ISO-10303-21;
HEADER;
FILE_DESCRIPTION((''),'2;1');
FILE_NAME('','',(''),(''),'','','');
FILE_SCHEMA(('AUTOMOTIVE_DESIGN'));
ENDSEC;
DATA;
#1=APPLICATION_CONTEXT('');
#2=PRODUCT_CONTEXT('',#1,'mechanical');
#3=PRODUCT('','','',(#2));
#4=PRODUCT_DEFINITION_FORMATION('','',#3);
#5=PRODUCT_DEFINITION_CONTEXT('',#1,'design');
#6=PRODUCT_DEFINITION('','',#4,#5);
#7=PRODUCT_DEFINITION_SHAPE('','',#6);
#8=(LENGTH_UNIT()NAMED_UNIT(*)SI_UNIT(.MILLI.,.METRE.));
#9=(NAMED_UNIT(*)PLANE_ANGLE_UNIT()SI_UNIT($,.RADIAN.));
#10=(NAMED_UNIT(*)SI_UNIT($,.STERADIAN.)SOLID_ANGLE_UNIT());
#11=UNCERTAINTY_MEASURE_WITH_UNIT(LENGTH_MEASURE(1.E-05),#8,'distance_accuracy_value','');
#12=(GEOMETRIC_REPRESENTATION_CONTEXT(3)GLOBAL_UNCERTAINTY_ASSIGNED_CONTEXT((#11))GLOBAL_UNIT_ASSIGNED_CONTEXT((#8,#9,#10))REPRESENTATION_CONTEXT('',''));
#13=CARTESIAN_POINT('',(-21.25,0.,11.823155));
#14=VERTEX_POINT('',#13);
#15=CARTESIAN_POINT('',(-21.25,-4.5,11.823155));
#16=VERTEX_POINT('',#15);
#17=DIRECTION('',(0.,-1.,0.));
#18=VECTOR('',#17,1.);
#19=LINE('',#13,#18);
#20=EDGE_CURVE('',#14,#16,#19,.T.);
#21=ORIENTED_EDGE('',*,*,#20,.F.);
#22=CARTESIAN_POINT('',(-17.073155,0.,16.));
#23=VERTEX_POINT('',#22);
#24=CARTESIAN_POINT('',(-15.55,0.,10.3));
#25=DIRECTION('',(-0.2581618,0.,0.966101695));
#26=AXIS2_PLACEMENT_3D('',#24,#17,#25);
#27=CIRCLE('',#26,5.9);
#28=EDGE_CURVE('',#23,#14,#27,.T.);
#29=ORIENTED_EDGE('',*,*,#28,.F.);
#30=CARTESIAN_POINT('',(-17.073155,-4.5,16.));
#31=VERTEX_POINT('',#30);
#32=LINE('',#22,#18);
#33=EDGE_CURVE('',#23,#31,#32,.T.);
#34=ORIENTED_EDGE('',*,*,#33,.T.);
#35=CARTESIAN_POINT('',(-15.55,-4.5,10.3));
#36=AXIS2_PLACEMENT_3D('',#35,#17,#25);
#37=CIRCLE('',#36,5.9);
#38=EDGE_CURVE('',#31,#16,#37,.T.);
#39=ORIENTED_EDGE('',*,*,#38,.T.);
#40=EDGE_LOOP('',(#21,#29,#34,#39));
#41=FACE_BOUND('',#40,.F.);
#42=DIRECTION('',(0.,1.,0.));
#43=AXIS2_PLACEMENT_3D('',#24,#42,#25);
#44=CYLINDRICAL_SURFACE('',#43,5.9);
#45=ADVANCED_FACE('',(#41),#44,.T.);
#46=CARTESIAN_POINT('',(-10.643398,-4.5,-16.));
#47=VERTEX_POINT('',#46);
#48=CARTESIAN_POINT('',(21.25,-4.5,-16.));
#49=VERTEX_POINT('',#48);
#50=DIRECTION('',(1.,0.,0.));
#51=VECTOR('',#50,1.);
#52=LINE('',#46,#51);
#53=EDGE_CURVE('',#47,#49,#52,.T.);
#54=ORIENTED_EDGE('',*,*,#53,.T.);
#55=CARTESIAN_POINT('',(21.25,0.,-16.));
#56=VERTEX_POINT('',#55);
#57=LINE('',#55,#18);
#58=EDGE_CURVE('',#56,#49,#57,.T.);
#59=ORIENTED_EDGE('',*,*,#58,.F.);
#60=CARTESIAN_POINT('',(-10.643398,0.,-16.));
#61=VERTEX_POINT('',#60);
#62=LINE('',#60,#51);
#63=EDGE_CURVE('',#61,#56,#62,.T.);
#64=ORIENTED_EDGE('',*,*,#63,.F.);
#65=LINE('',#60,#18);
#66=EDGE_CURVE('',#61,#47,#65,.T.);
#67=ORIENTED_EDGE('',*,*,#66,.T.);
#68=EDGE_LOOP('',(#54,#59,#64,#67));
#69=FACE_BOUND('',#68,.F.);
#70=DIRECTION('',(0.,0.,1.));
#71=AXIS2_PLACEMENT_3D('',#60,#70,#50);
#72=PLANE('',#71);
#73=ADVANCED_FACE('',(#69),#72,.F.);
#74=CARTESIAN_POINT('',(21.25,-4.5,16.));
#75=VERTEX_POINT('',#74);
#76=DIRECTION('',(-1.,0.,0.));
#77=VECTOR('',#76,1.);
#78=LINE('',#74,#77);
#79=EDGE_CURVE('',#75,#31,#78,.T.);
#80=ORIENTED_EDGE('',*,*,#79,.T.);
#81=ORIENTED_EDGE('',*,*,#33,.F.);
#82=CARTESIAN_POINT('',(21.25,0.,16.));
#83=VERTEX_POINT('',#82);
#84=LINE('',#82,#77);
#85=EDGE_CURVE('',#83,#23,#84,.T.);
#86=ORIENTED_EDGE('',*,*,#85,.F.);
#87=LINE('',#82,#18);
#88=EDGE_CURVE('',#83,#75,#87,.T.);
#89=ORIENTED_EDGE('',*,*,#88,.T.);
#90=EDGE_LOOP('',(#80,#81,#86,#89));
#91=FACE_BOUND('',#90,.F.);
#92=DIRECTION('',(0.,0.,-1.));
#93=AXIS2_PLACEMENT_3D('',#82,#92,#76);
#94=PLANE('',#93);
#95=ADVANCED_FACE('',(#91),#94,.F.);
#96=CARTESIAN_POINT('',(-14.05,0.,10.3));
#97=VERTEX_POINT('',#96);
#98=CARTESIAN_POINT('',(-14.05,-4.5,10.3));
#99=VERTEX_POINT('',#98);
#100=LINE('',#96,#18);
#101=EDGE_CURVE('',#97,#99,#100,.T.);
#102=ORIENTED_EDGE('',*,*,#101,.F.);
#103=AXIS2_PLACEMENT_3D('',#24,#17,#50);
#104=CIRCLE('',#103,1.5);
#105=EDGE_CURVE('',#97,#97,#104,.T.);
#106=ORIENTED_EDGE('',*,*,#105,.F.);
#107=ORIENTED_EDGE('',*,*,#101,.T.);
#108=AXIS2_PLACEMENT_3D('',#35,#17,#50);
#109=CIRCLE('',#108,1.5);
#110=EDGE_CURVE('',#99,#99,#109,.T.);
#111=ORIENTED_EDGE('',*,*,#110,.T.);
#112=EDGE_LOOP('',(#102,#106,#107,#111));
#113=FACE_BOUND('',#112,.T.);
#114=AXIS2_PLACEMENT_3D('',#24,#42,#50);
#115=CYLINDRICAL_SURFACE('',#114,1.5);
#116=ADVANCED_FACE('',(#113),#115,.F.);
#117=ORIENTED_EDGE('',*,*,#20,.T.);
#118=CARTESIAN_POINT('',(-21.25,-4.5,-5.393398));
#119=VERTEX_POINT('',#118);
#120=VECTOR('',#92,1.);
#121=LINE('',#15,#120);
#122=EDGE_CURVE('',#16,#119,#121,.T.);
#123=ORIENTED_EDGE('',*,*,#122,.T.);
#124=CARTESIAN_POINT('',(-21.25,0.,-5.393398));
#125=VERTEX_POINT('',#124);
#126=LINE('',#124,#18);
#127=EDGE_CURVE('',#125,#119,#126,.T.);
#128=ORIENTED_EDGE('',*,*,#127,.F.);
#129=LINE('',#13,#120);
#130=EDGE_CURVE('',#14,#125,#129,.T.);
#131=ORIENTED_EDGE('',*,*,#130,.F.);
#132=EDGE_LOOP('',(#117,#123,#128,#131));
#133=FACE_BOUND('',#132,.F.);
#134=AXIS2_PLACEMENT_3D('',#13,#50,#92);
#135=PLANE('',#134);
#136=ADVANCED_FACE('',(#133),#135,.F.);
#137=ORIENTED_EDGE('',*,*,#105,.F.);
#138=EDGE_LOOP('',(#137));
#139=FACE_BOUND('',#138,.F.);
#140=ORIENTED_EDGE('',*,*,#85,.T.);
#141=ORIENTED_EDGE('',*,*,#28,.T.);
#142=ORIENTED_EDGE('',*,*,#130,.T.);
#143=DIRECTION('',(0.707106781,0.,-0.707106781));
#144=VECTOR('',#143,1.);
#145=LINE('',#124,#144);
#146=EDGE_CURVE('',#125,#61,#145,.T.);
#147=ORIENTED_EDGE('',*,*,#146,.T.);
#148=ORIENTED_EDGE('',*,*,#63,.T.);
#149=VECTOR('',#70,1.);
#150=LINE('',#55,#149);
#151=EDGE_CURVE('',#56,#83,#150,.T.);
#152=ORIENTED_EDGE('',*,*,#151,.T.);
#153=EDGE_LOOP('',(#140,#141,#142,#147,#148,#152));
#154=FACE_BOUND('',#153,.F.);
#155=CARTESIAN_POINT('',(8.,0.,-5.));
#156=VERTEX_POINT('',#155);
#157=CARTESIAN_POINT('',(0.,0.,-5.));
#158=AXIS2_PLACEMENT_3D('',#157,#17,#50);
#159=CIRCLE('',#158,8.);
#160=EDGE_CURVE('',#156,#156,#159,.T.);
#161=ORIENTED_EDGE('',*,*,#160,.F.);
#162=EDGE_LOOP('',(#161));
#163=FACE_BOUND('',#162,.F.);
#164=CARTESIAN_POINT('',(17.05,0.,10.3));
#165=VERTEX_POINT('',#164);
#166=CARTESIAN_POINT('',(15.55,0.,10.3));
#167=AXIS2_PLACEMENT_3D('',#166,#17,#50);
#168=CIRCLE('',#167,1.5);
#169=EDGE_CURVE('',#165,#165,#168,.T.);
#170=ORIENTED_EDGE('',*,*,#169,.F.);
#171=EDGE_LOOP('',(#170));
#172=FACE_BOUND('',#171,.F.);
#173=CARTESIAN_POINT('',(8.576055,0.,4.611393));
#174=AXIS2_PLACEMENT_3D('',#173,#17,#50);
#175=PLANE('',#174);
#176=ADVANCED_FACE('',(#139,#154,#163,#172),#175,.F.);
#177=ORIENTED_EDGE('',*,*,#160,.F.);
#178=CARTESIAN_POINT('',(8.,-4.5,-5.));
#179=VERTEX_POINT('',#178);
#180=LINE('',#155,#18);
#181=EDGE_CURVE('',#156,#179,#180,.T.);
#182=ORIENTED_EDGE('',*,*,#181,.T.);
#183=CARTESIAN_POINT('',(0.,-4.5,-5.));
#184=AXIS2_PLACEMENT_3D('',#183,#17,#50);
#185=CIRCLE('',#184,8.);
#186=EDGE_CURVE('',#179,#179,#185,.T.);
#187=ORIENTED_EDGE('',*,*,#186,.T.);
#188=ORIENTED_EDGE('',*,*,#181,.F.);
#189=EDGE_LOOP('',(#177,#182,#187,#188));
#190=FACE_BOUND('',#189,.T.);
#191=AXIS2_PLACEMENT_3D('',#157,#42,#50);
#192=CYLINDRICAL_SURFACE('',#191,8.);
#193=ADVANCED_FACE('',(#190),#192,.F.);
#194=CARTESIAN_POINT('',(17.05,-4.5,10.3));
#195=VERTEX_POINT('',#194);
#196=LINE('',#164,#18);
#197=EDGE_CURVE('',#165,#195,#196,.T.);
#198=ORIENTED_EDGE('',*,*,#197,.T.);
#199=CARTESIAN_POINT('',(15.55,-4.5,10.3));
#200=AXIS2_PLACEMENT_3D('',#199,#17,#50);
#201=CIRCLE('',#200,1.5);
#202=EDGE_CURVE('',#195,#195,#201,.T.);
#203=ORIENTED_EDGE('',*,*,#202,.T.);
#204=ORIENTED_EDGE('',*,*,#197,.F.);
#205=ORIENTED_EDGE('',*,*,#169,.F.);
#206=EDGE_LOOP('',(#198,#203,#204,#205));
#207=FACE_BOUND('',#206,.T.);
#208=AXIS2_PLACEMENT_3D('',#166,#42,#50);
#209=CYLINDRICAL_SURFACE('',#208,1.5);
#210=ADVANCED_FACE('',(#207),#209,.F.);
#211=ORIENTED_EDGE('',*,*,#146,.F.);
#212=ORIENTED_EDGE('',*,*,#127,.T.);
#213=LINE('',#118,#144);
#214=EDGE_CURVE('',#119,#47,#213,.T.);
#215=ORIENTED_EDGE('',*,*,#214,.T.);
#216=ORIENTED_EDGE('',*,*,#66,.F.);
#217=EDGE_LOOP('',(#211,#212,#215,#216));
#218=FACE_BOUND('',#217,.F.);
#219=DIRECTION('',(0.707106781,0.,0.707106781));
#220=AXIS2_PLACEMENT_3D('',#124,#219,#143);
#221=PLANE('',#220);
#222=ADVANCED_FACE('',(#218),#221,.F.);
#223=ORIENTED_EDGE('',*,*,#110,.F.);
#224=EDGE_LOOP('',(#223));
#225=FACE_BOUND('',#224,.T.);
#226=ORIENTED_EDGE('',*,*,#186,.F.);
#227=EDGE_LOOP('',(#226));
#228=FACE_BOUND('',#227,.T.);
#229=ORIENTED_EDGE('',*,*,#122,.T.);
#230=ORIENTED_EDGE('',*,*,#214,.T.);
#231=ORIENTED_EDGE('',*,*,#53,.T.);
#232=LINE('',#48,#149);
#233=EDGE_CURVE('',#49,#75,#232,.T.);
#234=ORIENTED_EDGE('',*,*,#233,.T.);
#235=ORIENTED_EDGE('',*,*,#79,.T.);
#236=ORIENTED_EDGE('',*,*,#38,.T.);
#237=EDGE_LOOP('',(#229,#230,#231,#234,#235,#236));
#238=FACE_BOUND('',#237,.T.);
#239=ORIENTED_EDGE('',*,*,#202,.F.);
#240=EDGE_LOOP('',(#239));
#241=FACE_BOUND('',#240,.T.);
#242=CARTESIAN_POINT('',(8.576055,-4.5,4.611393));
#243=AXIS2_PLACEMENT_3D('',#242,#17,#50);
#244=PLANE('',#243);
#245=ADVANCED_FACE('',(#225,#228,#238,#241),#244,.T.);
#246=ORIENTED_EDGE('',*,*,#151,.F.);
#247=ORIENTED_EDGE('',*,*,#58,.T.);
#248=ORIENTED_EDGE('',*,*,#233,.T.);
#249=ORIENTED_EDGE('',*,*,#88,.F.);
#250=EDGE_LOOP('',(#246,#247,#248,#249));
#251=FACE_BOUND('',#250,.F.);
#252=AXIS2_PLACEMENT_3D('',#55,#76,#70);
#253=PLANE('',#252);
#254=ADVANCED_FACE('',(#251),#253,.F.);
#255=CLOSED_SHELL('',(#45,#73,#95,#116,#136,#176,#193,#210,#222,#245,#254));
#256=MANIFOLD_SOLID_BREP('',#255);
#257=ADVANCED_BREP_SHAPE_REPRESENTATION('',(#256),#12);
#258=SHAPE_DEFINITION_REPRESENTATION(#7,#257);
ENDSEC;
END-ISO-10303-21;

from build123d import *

# Parameters (mm, degrees)
F0_R     = 1.5
F0_R_2   = 8
F1_DEPTH = 4.5


with BuildPart() as f1:
    # F0 (on Front) → F1 (new body)
    with BuildSketch(Plane.XZ):
        with BuildLine():
            Line((11.6189500386, -16), (21.25, -16))
            Line((21.25, -16), (21.25, 16))
            Line((21.25, 16), (-14.0268453788, 16))
            ThreePointArc((-14.0268453788, 16), (-10.8704373995, 13.8932845514), (-9.65, 10.3))
            ThreePointArc((-9.65, 10.3), (-9.9420900065, 8.4666027422), (-10.7894391542, 6.8147366767))
            ThreePointArc((-10.7894391542, 6.8147366767), (11.4149058026, 6.2115978128), (11.6189500386, -16))
        make_face()
        with Locations((15.55, 10.3)):
            Circle(F0_R, mode=Mode.SUBTRACT)
        with BuildLine():
            ThreePointArc((-14.1218245477, -12.5215737345), (-15.8901817931, -3.1286041086), (-11.9880428927, 5.5965479097))
            ThreePointArc((-11.9880428927, 5.5965479097), (-17.4660845104, 4.7198010655), (-21.25, 8.7768453788))
            Line((-21.25, 8.7768453788), (-21.25, -5.3933982822))
            Line((-21.25, -5.3933982822), (-14.1218245477, -12.5215737345))
        make_face()
        with BuildLine():
            ThreePointArc((-11.9880428927, 5.5965479097), (-11.3443998956, 6.1620140452), (-10.7894391542, 6.8147366767))
            ThreePointArc((-10.7894391542, 6.8147366767), (-9.9420900065, 8.4666027422), (-9.65, 10.3))
            ThreePointArc((-9.65, 10.3), (-10.8704373995, 13.8932845514), (-14.0268453788, 16))
            Line((-14.0268453788, 16), (-17.0731546212, 16))
            ThreePointArc((-17.0731546212, 16), (-19.721930009, 14.471930009), (-21.25, 11.8231546212))
            Line((-21.25, 11.8231546212), (-21.25, 8.7768453788))
            ThreePointArc((-21.25, 8.7768453788), (-17.4660845104, 4.7198010655), (-11.9880428927, 5.5965479097))
        make_face()
        with Locations((-15.55, 10.3)):
            Circle(F0_R, mode=Mode.SUBTRACT)
        with BuildLine():
            Line((4.7958315233, -16), (11.6189500386, -16))
            ThreePointArc((11.6189500386, -16), (11.4149058026, 6.2115978128), (-10.7894391542, 6.8147366767))
            ThreePointArc((-10.7894391542, 6.8147366767), (-11.3443998956, 6.1620140452), (-11.9880428927, 5.5965479097))
            ThreePointArc((-11.9880428927, 5.5965479097), (-15.8901817931, -3.1286041086), (-14.1218245477, -12.5215737345))
            Line((-14.1218245477, -12.5215737345), (-10.6433982822, -16))
            Line((-10.6433982822, -16), (-4.7958315233, -16))
            ThreePointArc((-4.7958315233, -16), (0, 7), (4.7958315233, -16))
        make_face()
        with BuildLine():
            Line((-4.7958315233, -16), (4.7958315233, -16))
            ThreePointArc((4.7958315233, -16), (0, 7), (-4.7958315233, -16))
        make_face()
        with Locations((0, -5)):
            Circle(F0_R_2, mode=Mode.SUBTRACT)
    extrude(amount=F1_DEPTH)


solid = f1.part
